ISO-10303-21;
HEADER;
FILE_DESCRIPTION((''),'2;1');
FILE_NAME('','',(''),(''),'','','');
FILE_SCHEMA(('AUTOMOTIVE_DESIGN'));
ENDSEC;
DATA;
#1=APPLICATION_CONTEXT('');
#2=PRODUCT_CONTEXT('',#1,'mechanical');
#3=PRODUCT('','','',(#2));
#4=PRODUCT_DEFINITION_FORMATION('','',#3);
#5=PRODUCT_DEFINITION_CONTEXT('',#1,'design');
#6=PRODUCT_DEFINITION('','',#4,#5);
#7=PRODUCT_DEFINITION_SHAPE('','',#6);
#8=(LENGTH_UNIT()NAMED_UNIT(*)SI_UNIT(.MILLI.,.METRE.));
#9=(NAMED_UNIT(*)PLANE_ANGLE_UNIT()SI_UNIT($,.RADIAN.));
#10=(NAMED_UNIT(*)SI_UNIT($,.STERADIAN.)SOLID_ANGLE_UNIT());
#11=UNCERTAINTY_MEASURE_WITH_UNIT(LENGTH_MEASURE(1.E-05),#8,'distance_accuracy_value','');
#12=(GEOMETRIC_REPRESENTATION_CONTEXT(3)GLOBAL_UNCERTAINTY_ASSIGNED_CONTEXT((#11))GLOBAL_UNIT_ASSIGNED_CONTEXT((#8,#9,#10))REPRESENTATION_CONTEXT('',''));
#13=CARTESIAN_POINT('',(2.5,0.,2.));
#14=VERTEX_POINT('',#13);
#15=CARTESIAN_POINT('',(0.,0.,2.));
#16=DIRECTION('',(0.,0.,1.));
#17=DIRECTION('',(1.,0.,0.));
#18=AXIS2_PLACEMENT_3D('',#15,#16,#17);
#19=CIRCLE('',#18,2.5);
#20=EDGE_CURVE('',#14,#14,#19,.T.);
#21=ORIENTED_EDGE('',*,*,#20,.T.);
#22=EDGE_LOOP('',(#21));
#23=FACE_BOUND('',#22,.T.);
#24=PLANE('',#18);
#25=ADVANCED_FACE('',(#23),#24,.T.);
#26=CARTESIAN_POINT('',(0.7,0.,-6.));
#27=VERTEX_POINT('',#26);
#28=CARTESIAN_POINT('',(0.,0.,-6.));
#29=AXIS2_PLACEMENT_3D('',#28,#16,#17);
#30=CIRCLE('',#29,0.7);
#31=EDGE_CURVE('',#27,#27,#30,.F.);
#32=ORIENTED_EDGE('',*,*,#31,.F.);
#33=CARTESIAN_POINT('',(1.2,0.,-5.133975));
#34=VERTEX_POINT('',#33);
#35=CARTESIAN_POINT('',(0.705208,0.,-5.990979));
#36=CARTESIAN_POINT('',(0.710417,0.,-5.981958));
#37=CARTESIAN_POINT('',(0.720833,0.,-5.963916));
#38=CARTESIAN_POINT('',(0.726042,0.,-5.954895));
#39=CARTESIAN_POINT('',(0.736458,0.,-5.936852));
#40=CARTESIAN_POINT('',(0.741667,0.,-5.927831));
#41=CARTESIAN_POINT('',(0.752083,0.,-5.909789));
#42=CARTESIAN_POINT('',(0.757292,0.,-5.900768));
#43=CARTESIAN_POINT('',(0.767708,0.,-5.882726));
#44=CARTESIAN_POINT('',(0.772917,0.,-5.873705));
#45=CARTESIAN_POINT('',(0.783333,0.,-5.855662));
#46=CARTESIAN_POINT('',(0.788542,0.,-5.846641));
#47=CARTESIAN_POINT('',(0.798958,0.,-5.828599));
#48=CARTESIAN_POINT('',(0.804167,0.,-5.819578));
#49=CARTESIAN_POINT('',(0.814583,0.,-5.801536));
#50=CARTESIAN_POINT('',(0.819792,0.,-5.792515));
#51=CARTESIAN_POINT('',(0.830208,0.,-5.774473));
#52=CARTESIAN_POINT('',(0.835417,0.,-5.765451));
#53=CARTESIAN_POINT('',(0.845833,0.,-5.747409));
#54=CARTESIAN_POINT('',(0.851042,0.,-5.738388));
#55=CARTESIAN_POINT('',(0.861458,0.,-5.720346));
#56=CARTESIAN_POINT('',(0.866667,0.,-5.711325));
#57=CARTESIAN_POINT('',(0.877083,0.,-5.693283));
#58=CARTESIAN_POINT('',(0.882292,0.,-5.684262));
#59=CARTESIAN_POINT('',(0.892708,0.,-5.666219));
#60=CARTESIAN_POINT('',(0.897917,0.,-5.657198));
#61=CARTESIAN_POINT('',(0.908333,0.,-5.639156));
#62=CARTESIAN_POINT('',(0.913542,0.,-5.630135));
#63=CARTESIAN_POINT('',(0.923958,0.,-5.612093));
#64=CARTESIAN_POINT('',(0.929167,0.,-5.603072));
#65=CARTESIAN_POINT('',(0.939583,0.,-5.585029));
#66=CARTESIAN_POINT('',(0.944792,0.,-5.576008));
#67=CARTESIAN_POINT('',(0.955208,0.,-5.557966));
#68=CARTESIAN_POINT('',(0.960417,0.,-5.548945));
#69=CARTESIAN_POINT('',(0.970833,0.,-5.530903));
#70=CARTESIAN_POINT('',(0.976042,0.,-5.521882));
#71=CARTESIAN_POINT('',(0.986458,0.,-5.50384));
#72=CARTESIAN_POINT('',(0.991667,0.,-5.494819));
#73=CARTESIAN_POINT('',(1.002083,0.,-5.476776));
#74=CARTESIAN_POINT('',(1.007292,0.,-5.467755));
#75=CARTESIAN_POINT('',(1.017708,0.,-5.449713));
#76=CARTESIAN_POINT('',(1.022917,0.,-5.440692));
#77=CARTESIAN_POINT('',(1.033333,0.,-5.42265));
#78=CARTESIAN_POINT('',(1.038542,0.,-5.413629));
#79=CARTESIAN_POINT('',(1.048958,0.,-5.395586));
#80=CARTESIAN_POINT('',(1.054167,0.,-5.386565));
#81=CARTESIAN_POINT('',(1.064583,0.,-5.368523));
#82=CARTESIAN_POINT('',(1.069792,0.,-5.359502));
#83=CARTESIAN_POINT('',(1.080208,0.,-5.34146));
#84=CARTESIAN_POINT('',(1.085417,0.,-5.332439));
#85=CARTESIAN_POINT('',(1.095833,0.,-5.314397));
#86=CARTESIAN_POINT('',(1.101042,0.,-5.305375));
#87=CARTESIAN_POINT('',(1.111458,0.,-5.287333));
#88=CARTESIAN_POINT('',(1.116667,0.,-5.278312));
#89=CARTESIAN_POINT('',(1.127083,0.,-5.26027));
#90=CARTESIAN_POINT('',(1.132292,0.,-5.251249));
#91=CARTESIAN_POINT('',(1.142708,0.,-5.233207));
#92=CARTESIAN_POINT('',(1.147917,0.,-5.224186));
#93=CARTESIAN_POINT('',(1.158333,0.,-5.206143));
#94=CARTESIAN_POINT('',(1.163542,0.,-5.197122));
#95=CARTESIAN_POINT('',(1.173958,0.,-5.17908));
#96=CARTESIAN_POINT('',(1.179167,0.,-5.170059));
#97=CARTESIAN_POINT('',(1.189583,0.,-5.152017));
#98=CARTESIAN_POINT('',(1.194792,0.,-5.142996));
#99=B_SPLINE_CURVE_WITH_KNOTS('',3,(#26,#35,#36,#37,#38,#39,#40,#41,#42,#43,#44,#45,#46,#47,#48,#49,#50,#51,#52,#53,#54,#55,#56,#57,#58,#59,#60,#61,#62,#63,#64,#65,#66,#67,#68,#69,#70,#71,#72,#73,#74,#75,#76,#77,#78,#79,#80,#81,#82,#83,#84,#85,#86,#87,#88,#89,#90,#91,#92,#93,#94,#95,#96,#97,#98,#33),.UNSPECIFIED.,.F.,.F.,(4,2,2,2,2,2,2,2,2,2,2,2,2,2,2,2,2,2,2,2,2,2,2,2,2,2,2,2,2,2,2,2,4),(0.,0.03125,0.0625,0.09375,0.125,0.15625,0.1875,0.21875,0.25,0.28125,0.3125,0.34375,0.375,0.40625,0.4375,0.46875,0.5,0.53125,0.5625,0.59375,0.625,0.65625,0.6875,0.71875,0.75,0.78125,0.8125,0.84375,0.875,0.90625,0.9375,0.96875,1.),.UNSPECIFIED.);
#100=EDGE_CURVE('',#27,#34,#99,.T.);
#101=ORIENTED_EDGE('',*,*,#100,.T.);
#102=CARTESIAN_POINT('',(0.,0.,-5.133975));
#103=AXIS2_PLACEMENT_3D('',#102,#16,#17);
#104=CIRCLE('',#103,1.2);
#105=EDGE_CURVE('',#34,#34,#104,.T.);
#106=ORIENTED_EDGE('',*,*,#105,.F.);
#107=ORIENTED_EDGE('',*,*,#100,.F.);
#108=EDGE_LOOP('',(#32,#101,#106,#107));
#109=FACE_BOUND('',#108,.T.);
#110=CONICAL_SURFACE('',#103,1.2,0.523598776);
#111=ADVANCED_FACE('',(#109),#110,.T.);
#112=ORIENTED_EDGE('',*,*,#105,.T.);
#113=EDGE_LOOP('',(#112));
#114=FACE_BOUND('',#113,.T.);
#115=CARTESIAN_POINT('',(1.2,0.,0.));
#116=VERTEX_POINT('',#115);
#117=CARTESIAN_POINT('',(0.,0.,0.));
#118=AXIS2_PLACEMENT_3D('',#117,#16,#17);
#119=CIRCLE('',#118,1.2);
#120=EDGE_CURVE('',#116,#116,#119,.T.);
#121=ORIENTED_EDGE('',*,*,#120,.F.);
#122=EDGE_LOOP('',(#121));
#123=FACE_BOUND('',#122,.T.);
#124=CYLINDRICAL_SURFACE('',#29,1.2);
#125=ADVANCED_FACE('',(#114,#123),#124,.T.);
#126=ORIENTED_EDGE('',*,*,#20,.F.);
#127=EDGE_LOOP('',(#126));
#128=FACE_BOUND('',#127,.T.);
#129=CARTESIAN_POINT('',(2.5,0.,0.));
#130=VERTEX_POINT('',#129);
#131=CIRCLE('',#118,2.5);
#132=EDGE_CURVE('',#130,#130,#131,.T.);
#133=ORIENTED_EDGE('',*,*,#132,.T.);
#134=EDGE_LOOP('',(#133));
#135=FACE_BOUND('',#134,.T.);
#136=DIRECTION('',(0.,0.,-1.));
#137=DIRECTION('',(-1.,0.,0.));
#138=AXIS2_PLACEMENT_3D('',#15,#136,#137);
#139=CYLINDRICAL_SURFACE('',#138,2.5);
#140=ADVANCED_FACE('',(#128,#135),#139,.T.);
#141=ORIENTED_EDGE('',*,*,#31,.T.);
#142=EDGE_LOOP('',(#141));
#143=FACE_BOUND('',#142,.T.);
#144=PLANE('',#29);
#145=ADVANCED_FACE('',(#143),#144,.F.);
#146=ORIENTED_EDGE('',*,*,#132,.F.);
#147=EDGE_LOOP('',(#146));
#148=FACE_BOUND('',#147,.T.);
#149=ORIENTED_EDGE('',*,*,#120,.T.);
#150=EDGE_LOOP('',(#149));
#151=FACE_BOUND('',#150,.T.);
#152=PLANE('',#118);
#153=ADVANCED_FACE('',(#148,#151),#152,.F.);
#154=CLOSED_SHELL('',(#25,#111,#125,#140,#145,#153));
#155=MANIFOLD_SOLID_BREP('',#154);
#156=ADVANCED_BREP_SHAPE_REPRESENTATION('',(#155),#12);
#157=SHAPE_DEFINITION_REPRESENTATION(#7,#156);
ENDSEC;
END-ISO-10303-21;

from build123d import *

# Parameters (mm, degrees)
CROQUIS1_R              = 2.5
SALIENTE_EXTRUIR1_DEPTH = 2
CROQUIS2_R              = 1.2
SALIENTE_EXTRUIR2_DEPTH = 6
CHAFL_N1_SIZE           = 0.5
CHAFL_N1_SIZE2          = 0.866025404


with BuildPart() as part:
    # Croquis1 → Saliente-Extruir1 (new body)
    with BuildSketch(Plane.XY):
        Circle(CROQUIS1_R)
    extrude(amount=SALIENTE_EXTRUIR1_DEPTH)

    # Croquis2 → Saliente-Extruir2 (add)
    with BuildSketch(Plane.XY):
        Circle(CROQUIS2_R)
    extrude(amount=-SALIENTE_EXTRUIR2_DEPTH)

    # Chaflán1
    chafl_n1_edges = [part.edges().sort_by_distance(p)[0] for p in [
        (-1.2, 0, -6),
    ]]
    chafl_n1_side = [part.faces().sort_by_distance(p)[0] for p in [
        (0, 0, -6),
    ]]
    chamfer(chafl_n1_edges, length=CHAFL_N1_SIZE, length2=CHAFL_N1_SIZE2, reference=chafl_n1_side[0])


solid = part.part
